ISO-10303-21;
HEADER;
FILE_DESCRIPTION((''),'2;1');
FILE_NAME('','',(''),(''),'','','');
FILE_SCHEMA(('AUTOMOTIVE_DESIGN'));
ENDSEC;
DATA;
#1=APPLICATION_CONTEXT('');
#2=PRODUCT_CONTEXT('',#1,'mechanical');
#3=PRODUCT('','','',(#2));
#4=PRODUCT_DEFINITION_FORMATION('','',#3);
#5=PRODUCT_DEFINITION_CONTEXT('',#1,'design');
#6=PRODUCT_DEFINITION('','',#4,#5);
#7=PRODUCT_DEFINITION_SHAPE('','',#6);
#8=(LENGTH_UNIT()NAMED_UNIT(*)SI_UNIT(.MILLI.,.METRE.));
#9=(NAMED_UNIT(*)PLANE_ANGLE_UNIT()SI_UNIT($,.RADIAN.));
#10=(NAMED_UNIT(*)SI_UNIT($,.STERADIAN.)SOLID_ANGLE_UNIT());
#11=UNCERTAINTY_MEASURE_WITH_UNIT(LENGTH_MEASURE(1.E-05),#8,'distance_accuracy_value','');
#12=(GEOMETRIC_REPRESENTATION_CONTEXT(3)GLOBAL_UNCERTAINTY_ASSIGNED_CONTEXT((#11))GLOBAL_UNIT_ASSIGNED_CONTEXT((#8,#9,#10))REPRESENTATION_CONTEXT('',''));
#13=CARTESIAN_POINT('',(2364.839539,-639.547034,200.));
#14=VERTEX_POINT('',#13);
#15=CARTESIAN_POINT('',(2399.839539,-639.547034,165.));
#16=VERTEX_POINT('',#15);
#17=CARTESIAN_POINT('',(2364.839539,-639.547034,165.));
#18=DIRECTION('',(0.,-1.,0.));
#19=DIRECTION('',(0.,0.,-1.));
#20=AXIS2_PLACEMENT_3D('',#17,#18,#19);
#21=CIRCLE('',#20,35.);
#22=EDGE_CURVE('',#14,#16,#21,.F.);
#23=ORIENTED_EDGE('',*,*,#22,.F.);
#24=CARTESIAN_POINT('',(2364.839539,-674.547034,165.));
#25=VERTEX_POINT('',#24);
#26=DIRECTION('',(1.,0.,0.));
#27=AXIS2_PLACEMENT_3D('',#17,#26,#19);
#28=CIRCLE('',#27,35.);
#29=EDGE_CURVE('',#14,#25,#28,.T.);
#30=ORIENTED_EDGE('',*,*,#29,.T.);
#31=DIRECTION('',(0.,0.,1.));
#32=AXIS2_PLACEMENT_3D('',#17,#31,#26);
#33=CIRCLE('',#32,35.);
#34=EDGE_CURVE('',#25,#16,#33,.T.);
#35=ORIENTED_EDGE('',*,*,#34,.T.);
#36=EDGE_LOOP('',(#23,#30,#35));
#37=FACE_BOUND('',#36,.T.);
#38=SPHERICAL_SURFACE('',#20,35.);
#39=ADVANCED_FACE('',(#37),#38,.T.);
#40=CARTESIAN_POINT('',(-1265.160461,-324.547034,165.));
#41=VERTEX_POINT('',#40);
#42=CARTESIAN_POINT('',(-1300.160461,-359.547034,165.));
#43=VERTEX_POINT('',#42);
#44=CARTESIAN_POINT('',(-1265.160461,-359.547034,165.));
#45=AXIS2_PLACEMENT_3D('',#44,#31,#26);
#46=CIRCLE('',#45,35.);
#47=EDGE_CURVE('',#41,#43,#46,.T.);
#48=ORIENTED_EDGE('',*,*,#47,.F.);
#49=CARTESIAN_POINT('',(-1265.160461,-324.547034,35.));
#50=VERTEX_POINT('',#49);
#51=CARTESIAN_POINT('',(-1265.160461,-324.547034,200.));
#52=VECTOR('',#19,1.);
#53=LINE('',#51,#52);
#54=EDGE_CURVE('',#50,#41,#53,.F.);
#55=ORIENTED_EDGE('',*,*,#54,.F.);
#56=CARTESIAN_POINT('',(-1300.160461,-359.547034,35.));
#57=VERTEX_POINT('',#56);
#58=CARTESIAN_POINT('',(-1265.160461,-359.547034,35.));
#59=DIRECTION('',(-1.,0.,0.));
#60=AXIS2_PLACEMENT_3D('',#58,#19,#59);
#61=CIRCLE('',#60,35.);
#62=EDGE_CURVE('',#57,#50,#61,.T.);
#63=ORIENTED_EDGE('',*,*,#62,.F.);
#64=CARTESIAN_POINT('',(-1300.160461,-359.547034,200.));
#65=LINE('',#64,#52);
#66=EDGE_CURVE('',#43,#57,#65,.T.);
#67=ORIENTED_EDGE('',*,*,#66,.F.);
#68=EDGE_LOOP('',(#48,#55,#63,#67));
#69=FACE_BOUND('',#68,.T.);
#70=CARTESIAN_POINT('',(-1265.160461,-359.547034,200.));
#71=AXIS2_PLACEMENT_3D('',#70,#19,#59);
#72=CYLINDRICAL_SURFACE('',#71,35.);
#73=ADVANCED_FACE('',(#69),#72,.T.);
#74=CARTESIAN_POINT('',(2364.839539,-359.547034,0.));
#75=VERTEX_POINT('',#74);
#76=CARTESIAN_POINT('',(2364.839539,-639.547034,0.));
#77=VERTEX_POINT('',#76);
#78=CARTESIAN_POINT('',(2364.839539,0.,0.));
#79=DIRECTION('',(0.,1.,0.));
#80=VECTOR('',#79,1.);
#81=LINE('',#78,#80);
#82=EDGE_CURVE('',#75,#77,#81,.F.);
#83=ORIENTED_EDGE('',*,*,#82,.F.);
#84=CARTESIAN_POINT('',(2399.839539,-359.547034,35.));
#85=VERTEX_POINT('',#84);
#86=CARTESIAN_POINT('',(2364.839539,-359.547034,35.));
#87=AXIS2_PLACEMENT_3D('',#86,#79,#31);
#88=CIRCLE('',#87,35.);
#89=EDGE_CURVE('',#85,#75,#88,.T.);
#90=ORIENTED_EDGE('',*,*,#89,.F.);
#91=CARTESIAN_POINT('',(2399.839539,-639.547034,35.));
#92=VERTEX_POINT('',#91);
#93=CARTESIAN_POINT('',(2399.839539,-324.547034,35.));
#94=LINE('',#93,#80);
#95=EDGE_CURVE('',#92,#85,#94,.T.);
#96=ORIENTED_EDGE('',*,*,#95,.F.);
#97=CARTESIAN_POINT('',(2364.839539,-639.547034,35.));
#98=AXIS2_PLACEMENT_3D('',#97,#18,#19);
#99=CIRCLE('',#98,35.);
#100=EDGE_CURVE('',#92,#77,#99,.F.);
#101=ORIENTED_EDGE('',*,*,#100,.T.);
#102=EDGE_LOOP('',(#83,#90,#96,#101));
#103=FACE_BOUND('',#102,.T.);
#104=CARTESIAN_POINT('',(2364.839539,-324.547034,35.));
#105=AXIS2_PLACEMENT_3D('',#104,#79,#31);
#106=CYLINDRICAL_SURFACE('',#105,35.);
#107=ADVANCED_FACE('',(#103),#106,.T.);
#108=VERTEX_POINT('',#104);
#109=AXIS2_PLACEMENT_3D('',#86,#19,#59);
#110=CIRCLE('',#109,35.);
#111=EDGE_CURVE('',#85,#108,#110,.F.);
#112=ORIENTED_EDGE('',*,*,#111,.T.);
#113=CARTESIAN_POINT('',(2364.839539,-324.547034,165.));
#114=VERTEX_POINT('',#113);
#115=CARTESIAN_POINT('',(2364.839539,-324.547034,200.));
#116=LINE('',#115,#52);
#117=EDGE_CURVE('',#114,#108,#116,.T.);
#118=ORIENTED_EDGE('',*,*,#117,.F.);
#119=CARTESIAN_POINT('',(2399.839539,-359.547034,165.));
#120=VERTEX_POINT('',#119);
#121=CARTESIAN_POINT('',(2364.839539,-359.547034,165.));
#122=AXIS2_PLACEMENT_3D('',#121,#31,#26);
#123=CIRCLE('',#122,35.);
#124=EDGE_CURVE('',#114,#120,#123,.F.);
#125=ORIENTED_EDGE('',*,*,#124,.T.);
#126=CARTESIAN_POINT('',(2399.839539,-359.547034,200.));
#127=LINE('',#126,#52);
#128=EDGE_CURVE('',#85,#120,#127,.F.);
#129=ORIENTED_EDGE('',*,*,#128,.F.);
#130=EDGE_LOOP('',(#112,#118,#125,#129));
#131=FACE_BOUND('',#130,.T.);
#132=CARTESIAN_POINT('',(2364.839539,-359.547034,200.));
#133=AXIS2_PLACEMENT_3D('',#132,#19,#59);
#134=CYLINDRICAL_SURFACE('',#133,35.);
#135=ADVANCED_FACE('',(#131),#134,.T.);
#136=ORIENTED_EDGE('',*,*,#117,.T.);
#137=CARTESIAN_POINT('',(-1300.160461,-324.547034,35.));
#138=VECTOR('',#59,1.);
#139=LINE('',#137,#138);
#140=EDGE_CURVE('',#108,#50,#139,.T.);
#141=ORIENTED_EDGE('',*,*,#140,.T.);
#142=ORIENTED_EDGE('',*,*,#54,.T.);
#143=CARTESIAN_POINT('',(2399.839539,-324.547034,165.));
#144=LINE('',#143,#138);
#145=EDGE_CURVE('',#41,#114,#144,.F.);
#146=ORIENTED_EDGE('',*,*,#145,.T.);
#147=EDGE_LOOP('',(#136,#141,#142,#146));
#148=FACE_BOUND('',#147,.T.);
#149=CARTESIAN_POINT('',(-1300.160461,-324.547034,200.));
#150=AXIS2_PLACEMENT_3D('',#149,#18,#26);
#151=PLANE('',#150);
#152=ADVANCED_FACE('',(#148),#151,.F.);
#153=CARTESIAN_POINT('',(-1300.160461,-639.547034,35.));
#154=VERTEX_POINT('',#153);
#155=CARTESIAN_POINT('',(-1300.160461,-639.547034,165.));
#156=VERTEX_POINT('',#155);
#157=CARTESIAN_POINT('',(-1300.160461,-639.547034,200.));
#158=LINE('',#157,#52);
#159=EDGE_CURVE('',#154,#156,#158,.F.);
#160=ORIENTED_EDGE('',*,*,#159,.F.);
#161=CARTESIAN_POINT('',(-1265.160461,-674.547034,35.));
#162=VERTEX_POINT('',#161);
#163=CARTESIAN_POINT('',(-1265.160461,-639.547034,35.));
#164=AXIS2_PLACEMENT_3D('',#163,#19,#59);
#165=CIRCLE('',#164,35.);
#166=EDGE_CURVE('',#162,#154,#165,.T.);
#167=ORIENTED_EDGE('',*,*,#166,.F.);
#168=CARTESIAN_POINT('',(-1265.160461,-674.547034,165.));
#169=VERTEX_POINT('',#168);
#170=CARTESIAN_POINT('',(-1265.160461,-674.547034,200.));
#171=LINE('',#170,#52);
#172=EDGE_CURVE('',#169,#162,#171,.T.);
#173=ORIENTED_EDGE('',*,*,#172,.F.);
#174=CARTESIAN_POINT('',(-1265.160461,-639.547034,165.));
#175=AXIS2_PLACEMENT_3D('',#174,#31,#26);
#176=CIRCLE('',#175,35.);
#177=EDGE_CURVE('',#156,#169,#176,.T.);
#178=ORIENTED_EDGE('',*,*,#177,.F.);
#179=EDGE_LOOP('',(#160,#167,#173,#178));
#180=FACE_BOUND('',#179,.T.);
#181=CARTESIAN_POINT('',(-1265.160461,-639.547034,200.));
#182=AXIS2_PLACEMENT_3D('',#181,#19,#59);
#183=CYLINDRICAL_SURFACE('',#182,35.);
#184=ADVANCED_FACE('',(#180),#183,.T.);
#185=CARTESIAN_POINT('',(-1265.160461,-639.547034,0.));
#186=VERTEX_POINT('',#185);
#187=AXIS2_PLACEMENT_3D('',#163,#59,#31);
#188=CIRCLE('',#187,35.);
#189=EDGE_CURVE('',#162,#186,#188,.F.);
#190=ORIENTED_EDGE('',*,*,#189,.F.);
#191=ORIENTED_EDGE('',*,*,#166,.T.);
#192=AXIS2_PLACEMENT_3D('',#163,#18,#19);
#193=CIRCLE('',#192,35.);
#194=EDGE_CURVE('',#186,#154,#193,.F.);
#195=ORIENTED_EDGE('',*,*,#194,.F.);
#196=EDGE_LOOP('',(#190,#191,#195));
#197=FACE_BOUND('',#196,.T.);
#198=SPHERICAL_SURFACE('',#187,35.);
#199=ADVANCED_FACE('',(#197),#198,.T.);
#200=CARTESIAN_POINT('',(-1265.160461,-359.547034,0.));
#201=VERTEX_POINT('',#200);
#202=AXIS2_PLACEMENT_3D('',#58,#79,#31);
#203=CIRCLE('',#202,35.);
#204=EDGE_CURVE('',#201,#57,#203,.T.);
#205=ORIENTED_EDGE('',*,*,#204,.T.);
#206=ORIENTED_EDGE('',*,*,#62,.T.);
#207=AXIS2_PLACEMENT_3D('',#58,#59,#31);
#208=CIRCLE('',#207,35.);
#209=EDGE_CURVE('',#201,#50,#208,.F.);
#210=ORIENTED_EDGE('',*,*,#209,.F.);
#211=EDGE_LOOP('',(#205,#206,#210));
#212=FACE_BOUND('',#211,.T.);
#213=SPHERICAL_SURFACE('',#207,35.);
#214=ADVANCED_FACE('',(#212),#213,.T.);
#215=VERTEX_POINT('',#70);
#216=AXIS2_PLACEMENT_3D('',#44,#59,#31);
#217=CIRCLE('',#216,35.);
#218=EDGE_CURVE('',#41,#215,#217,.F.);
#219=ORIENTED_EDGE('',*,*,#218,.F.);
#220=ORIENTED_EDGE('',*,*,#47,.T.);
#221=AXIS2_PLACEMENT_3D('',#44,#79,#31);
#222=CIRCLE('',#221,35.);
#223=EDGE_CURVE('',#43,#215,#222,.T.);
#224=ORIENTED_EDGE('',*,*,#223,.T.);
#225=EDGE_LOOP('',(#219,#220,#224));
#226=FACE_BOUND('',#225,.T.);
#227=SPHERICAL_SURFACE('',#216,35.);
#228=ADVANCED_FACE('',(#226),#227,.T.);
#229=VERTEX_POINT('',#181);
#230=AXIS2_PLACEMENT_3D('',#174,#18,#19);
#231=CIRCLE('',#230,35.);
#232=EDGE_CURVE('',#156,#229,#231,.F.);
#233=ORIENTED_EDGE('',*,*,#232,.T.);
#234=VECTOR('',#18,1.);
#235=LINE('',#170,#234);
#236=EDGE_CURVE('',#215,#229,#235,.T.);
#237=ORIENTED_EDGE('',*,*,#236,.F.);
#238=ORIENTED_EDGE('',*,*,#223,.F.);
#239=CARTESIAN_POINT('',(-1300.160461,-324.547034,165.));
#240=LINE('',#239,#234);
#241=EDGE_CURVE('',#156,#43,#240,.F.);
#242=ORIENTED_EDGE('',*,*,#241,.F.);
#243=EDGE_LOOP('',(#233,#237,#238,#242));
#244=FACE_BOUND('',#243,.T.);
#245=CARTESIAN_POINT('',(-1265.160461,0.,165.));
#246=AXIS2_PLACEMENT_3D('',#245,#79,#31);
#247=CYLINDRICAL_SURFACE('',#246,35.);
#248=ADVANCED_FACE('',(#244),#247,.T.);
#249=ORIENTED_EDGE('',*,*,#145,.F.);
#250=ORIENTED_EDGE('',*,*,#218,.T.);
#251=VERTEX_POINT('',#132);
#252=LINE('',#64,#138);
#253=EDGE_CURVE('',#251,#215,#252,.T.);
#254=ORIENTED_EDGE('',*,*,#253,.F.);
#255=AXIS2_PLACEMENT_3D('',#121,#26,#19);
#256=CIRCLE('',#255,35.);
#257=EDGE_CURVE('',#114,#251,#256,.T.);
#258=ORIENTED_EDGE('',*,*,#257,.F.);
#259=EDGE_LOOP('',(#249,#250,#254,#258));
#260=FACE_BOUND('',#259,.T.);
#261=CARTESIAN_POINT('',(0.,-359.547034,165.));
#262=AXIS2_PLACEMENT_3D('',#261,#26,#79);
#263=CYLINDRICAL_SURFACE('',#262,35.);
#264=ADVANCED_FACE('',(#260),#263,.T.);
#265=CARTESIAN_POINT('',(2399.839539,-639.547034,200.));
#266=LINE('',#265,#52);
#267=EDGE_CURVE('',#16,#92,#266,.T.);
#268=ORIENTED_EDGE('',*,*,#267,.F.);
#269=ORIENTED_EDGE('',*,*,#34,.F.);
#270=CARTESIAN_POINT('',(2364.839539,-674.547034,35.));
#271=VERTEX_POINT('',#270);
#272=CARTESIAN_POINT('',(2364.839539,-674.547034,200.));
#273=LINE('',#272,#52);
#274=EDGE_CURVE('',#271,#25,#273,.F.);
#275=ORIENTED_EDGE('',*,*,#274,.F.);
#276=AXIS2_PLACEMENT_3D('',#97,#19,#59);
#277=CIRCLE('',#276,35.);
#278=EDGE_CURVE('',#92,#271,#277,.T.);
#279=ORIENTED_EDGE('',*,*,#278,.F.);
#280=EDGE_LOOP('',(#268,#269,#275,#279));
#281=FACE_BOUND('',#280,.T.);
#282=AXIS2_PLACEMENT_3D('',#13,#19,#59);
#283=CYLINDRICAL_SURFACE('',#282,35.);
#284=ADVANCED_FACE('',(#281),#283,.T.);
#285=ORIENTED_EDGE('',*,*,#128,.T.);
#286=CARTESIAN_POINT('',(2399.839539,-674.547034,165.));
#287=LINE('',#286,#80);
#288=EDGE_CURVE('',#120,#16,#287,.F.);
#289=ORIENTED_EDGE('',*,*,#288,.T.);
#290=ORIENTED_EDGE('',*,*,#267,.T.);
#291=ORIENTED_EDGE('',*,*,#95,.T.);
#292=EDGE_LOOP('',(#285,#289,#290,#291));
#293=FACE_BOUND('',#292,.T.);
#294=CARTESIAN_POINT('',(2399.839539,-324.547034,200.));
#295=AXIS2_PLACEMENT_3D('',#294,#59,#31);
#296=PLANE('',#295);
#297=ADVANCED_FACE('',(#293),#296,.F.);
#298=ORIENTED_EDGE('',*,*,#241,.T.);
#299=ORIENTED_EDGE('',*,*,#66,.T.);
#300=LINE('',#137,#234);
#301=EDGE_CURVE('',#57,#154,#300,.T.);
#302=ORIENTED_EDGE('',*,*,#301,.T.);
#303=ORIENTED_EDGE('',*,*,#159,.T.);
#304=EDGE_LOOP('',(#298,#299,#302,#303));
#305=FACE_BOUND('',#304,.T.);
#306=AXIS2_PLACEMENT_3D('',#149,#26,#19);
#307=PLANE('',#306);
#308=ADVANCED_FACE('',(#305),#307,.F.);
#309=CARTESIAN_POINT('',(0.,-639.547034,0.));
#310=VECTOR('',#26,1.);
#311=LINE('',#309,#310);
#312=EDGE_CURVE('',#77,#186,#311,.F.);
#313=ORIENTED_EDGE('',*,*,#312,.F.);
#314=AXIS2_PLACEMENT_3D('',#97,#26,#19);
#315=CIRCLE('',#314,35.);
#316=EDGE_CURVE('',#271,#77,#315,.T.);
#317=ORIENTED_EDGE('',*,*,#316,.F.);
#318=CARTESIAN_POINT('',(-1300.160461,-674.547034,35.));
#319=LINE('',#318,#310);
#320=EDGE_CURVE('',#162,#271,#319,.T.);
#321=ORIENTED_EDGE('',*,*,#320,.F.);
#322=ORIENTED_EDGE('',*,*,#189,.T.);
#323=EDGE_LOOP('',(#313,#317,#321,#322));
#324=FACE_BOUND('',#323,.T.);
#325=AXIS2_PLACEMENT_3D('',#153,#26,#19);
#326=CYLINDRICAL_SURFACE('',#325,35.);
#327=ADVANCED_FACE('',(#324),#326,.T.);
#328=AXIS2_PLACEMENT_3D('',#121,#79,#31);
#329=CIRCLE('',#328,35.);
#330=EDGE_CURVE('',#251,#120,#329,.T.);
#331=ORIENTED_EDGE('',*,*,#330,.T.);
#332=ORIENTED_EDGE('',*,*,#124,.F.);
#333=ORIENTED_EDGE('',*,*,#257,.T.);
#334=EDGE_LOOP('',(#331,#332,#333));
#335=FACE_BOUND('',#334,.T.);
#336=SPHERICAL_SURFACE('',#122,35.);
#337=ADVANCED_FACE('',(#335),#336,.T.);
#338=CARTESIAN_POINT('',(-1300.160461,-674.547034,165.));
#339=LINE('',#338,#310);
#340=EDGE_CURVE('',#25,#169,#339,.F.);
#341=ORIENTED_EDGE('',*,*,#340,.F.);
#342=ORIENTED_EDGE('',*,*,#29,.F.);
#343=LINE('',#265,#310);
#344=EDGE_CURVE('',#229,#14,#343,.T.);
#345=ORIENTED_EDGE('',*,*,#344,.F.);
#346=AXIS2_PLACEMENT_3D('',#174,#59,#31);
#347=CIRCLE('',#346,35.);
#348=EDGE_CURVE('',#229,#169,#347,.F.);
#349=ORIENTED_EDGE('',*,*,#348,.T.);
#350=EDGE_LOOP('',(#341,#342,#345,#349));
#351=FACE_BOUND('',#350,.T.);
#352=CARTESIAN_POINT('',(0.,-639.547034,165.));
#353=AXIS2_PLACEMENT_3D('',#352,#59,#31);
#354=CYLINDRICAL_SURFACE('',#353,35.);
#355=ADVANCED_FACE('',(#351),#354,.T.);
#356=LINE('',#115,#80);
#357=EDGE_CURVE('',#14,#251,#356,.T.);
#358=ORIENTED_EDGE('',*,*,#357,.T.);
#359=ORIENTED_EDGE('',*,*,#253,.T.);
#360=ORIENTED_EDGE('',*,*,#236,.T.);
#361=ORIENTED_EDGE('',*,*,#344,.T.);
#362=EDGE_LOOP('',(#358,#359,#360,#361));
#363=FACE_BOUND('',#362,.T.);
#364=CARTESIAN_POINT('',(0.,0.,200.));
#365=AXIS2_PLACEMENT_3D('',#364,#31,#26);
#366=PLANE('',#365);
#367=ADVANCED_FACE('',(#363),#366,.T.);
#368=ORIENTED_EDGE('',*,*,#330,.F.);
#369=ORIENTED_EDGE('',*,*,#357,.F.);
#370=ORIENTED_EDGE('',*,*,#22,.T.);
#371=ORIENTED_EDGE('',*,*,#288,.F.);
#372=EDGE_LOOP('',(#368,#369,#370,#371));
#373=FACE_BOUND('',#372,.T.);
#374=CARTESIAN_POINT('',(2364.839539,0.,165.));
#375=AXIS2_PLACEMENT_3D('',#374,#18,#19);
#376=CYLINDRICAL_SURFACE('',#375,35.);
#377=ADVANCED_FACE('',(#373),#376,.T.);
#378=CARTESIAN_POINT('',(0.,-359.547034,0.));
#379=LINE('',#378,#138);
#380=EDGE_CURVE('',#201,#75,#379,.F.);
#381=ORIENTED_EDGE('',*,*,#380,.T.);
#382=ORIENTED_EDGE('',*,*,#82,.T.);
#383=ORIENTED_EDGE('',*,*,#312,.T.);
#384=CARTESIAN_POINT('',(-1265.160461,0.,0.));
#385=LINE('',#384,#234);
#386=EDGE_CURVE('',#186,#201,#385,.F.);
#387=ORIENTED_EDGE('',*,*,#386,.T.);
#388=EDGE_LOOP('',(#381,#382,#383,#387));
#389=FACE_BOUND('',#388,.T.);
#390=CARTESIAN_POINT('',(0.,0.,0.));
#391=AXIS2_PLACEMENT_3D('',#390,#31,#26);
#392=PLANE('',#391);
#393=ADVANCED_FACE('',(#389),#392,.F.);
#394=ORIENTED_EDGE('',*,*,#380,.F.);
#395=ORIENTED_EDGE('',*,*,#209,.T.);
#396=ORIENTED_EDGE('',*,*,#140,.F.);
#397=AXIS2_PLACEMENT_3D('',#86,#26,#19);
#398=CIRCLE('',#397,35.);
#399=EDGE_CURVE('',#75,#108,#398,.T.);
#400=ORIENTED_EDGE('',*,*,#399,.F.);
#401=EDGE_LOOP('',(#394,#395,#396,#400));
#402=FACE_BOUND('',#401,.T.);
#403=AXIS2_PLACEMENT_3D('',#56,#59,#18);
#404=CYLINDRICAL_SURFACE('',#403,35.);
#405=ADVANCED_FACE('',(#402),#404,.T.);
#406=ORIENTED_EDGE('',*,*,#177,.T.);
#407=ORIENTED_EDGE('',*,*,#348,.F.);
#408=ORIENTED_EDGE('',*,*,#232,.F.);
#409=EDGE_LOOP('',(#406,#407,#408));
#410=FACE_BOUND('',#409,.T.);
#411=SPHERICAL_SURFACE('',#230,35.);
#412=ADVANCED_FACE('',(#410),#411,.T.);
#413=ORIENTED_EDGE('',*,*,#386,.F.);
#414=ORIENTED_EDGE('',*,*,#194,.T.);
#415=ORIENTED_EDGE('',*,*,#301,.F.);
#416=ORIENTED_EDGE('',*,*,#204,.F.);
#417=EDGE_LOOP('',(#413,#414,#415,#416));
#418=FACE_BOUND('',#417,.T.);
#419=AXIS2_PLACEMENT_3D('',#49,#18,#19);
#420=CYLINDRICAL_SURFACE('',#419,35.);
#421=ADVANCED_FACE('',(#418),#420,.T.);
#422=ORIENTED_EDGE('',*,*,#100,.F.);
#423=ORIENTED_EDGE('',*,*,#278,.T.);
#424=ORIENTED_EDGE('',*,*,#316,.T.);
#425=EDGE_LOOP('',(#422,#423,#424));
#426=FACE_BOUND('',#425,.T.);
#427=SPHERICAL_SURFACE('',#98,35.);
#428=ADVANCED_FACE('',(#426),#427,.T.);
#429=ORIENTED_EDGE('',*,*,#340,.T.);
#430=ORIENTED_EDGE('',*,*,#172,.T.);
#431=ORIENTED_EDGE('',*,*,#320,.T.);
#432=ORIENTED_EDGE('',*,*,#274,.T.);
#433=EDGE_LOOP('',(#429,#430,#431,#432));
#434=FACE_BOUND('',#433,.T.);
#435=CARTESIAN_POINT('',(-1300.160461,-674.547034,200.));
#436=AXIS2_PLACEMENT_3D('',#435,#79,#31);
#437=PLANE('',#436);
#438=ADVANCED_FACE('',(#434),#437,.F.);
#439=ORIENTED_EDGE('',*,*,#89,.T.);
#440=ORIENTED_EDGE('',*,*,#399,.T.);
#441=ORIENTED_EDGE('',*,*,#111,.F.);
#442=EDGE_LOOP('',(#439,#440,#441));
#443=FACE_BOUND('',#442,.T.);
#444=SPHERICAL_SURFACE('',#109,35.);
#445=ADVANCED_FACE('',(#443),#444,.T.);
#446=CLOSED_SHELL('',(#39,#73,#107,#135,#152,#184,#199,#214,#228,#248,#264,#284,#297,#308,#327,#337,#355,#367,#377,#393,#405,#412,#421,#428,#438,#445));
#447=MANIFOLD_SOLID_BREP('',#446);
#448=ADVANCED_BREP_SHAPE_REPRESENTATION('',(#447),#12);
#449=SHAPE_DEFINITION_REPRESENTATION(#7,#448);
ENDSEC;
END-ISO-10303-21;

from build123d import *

# Parameters (mm, degrees)
SKETCH1_W           = 3700
SKETCH1_H           = 350
BOSS_EXTRUDE2_DEPTH = 200
FILLET1_R           = 35


with BuildPart() as part:
    # Sketch1 → Boss-Extrude2 (new body)
    with BuildSketch(Plane.XY):
        with Locations((549.839539078, -499.547034379)):
            Rectangle(SKETCH1_W, SKETCH1_H)
    extrude(amount=BOSS_EXTRUDE2_DEPTH)

    # Fillet1
    fillet1_edges = [part.edges().sort_by_distance(p)[0] for p in [
        (-1300.160460922, -499.547034379, 200),
        (549.839539078, -674.547034379, 200),
        (2399.839539078, -499.547034379, 200),
        (549.839539078, -674.547034379, 0),
        (-1300.160460922, -499.547034379, 0),
        (549.839539078, -324.547034379, 0),
        (2399.839539078, -499.547034379, 0),
        (2399.839539078, -674.547034379, 100),
        (-1300.160460922, -674.547034379, 100),
        (-1300.160460922, -324.547034379, 100),
        (2399.839539078, -324.547034379, 100),
        (549.839539078, -324.547034379, 200),
    ]]
    fillet(fillet1_edges, radius=FILLET1_R)


solid = part.part
